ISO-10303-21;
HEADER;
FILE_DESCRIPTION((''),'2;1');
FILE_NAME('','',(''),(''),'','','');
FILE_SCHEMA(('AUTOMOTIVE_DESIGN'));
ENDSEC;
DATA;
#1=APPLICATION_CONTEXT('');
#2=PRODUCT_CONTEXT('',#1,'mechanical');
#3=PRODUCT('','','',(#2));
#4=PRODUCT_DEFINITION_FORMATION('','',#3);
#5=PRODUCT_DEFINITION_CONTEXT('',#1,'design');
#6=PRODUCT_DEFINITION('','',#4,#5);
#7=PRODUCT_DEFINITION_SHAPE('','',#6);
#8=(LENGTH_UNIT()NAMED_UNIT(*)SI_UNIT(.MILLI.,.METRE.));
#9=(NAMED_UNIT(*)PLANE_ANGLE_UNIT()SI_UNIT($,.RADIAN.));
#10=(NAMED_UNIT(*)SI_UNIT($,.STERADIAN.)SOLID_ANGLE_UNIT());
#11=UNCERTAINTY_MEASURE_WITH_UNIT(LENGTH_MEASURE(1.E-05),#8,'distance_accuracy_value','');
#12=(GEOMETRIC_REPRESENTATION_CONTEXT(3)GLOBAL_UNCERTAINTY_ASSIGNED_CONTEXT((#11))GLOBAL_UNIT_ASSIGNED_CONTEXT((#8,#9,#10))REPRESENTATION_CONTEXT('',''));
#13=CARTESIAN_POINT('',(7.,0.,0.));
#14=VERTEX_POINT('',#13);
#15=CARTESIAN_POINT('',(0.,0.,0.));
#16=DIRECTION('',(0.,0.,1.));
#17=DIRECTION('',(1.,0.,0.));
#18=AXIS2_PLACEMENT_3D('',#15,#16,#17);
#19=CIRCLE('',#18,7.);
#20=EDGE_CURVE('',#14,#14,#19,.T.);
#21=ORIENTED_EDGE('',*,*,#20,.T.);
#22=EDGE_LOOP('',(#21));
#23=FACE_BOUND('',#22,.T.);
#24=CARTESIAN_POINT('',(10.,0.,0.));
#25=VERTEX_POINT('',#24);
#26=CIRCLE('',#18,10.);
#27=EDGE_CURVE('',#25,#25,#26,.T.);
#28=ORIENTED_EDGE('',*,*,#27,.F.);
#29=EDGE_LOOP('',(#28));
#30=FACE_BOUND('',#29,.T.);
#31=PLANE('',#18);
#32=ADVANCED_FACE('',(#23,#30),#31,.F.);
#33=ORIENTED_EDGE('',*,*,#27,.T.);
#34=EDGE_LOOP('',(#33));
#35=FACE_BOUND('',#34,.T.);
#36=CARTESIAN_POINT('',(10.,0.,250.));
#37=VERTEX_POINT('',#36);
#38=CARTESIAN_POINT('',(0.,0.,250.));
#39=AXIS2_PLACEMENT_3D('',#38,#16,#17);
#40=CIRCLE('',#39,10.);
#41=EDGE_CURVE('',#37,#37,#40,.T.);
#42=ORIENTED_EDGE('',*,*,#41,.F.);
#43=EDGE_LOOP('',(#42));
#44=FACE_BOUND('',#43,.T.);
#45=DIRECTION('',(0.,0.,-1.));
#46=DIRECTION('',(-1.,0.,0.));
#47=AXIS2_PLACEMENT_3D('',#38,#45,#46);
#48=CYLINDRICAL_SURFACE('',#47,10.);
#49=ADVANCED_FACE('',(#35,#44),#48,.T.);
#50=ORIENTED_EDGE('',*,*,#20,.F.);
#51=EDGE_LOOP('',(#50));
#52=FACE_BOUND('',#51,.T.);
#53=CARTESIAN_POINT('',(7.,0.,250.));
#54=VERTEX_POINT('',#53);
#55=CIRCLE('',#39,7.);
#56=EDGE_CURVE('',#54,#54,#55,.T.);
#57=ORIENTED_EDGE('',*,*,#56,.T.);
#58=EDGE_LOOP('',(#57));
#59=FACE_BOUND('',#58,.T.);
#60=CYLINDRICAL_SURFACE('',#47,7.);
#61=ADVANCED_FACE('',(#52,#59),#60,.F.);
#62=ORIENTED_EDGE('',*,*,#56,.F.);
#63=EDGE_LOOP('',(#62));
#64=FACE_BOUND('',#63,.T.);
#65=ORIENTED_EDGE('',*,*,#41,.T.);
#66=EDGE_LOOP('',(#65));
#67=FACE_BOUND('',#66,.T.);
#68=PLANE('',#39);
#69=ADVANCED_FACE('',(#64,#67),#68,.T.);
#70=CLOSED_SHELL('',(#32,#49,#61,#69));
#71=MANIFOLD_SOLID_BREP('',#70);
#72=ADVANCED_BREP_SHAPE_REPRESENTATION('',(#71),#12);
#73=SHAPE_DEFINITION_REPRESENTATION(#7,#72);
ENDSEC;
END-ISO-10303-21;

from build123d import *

# Parameters (mm, degrees)
SZKIC1_R                    = 10
SZKIC1_R_2                  = 7
DODANIE_WYCI_GNI_CIE1_DEPTH = 250


with BuildPart() as part:
    # Szkic1 → Dodanie-wyciągnięcie1 (new body)
    with BuildSketch(Plane.XY):
        Circle(SZKIC1_R)
        Circle(SZKIC1_R_2, mode=Mode.SUBTRACT)
    extrude(amount=DODANIE_WYCI_GNI_CIE1_DEPTH)


solid = part.part
